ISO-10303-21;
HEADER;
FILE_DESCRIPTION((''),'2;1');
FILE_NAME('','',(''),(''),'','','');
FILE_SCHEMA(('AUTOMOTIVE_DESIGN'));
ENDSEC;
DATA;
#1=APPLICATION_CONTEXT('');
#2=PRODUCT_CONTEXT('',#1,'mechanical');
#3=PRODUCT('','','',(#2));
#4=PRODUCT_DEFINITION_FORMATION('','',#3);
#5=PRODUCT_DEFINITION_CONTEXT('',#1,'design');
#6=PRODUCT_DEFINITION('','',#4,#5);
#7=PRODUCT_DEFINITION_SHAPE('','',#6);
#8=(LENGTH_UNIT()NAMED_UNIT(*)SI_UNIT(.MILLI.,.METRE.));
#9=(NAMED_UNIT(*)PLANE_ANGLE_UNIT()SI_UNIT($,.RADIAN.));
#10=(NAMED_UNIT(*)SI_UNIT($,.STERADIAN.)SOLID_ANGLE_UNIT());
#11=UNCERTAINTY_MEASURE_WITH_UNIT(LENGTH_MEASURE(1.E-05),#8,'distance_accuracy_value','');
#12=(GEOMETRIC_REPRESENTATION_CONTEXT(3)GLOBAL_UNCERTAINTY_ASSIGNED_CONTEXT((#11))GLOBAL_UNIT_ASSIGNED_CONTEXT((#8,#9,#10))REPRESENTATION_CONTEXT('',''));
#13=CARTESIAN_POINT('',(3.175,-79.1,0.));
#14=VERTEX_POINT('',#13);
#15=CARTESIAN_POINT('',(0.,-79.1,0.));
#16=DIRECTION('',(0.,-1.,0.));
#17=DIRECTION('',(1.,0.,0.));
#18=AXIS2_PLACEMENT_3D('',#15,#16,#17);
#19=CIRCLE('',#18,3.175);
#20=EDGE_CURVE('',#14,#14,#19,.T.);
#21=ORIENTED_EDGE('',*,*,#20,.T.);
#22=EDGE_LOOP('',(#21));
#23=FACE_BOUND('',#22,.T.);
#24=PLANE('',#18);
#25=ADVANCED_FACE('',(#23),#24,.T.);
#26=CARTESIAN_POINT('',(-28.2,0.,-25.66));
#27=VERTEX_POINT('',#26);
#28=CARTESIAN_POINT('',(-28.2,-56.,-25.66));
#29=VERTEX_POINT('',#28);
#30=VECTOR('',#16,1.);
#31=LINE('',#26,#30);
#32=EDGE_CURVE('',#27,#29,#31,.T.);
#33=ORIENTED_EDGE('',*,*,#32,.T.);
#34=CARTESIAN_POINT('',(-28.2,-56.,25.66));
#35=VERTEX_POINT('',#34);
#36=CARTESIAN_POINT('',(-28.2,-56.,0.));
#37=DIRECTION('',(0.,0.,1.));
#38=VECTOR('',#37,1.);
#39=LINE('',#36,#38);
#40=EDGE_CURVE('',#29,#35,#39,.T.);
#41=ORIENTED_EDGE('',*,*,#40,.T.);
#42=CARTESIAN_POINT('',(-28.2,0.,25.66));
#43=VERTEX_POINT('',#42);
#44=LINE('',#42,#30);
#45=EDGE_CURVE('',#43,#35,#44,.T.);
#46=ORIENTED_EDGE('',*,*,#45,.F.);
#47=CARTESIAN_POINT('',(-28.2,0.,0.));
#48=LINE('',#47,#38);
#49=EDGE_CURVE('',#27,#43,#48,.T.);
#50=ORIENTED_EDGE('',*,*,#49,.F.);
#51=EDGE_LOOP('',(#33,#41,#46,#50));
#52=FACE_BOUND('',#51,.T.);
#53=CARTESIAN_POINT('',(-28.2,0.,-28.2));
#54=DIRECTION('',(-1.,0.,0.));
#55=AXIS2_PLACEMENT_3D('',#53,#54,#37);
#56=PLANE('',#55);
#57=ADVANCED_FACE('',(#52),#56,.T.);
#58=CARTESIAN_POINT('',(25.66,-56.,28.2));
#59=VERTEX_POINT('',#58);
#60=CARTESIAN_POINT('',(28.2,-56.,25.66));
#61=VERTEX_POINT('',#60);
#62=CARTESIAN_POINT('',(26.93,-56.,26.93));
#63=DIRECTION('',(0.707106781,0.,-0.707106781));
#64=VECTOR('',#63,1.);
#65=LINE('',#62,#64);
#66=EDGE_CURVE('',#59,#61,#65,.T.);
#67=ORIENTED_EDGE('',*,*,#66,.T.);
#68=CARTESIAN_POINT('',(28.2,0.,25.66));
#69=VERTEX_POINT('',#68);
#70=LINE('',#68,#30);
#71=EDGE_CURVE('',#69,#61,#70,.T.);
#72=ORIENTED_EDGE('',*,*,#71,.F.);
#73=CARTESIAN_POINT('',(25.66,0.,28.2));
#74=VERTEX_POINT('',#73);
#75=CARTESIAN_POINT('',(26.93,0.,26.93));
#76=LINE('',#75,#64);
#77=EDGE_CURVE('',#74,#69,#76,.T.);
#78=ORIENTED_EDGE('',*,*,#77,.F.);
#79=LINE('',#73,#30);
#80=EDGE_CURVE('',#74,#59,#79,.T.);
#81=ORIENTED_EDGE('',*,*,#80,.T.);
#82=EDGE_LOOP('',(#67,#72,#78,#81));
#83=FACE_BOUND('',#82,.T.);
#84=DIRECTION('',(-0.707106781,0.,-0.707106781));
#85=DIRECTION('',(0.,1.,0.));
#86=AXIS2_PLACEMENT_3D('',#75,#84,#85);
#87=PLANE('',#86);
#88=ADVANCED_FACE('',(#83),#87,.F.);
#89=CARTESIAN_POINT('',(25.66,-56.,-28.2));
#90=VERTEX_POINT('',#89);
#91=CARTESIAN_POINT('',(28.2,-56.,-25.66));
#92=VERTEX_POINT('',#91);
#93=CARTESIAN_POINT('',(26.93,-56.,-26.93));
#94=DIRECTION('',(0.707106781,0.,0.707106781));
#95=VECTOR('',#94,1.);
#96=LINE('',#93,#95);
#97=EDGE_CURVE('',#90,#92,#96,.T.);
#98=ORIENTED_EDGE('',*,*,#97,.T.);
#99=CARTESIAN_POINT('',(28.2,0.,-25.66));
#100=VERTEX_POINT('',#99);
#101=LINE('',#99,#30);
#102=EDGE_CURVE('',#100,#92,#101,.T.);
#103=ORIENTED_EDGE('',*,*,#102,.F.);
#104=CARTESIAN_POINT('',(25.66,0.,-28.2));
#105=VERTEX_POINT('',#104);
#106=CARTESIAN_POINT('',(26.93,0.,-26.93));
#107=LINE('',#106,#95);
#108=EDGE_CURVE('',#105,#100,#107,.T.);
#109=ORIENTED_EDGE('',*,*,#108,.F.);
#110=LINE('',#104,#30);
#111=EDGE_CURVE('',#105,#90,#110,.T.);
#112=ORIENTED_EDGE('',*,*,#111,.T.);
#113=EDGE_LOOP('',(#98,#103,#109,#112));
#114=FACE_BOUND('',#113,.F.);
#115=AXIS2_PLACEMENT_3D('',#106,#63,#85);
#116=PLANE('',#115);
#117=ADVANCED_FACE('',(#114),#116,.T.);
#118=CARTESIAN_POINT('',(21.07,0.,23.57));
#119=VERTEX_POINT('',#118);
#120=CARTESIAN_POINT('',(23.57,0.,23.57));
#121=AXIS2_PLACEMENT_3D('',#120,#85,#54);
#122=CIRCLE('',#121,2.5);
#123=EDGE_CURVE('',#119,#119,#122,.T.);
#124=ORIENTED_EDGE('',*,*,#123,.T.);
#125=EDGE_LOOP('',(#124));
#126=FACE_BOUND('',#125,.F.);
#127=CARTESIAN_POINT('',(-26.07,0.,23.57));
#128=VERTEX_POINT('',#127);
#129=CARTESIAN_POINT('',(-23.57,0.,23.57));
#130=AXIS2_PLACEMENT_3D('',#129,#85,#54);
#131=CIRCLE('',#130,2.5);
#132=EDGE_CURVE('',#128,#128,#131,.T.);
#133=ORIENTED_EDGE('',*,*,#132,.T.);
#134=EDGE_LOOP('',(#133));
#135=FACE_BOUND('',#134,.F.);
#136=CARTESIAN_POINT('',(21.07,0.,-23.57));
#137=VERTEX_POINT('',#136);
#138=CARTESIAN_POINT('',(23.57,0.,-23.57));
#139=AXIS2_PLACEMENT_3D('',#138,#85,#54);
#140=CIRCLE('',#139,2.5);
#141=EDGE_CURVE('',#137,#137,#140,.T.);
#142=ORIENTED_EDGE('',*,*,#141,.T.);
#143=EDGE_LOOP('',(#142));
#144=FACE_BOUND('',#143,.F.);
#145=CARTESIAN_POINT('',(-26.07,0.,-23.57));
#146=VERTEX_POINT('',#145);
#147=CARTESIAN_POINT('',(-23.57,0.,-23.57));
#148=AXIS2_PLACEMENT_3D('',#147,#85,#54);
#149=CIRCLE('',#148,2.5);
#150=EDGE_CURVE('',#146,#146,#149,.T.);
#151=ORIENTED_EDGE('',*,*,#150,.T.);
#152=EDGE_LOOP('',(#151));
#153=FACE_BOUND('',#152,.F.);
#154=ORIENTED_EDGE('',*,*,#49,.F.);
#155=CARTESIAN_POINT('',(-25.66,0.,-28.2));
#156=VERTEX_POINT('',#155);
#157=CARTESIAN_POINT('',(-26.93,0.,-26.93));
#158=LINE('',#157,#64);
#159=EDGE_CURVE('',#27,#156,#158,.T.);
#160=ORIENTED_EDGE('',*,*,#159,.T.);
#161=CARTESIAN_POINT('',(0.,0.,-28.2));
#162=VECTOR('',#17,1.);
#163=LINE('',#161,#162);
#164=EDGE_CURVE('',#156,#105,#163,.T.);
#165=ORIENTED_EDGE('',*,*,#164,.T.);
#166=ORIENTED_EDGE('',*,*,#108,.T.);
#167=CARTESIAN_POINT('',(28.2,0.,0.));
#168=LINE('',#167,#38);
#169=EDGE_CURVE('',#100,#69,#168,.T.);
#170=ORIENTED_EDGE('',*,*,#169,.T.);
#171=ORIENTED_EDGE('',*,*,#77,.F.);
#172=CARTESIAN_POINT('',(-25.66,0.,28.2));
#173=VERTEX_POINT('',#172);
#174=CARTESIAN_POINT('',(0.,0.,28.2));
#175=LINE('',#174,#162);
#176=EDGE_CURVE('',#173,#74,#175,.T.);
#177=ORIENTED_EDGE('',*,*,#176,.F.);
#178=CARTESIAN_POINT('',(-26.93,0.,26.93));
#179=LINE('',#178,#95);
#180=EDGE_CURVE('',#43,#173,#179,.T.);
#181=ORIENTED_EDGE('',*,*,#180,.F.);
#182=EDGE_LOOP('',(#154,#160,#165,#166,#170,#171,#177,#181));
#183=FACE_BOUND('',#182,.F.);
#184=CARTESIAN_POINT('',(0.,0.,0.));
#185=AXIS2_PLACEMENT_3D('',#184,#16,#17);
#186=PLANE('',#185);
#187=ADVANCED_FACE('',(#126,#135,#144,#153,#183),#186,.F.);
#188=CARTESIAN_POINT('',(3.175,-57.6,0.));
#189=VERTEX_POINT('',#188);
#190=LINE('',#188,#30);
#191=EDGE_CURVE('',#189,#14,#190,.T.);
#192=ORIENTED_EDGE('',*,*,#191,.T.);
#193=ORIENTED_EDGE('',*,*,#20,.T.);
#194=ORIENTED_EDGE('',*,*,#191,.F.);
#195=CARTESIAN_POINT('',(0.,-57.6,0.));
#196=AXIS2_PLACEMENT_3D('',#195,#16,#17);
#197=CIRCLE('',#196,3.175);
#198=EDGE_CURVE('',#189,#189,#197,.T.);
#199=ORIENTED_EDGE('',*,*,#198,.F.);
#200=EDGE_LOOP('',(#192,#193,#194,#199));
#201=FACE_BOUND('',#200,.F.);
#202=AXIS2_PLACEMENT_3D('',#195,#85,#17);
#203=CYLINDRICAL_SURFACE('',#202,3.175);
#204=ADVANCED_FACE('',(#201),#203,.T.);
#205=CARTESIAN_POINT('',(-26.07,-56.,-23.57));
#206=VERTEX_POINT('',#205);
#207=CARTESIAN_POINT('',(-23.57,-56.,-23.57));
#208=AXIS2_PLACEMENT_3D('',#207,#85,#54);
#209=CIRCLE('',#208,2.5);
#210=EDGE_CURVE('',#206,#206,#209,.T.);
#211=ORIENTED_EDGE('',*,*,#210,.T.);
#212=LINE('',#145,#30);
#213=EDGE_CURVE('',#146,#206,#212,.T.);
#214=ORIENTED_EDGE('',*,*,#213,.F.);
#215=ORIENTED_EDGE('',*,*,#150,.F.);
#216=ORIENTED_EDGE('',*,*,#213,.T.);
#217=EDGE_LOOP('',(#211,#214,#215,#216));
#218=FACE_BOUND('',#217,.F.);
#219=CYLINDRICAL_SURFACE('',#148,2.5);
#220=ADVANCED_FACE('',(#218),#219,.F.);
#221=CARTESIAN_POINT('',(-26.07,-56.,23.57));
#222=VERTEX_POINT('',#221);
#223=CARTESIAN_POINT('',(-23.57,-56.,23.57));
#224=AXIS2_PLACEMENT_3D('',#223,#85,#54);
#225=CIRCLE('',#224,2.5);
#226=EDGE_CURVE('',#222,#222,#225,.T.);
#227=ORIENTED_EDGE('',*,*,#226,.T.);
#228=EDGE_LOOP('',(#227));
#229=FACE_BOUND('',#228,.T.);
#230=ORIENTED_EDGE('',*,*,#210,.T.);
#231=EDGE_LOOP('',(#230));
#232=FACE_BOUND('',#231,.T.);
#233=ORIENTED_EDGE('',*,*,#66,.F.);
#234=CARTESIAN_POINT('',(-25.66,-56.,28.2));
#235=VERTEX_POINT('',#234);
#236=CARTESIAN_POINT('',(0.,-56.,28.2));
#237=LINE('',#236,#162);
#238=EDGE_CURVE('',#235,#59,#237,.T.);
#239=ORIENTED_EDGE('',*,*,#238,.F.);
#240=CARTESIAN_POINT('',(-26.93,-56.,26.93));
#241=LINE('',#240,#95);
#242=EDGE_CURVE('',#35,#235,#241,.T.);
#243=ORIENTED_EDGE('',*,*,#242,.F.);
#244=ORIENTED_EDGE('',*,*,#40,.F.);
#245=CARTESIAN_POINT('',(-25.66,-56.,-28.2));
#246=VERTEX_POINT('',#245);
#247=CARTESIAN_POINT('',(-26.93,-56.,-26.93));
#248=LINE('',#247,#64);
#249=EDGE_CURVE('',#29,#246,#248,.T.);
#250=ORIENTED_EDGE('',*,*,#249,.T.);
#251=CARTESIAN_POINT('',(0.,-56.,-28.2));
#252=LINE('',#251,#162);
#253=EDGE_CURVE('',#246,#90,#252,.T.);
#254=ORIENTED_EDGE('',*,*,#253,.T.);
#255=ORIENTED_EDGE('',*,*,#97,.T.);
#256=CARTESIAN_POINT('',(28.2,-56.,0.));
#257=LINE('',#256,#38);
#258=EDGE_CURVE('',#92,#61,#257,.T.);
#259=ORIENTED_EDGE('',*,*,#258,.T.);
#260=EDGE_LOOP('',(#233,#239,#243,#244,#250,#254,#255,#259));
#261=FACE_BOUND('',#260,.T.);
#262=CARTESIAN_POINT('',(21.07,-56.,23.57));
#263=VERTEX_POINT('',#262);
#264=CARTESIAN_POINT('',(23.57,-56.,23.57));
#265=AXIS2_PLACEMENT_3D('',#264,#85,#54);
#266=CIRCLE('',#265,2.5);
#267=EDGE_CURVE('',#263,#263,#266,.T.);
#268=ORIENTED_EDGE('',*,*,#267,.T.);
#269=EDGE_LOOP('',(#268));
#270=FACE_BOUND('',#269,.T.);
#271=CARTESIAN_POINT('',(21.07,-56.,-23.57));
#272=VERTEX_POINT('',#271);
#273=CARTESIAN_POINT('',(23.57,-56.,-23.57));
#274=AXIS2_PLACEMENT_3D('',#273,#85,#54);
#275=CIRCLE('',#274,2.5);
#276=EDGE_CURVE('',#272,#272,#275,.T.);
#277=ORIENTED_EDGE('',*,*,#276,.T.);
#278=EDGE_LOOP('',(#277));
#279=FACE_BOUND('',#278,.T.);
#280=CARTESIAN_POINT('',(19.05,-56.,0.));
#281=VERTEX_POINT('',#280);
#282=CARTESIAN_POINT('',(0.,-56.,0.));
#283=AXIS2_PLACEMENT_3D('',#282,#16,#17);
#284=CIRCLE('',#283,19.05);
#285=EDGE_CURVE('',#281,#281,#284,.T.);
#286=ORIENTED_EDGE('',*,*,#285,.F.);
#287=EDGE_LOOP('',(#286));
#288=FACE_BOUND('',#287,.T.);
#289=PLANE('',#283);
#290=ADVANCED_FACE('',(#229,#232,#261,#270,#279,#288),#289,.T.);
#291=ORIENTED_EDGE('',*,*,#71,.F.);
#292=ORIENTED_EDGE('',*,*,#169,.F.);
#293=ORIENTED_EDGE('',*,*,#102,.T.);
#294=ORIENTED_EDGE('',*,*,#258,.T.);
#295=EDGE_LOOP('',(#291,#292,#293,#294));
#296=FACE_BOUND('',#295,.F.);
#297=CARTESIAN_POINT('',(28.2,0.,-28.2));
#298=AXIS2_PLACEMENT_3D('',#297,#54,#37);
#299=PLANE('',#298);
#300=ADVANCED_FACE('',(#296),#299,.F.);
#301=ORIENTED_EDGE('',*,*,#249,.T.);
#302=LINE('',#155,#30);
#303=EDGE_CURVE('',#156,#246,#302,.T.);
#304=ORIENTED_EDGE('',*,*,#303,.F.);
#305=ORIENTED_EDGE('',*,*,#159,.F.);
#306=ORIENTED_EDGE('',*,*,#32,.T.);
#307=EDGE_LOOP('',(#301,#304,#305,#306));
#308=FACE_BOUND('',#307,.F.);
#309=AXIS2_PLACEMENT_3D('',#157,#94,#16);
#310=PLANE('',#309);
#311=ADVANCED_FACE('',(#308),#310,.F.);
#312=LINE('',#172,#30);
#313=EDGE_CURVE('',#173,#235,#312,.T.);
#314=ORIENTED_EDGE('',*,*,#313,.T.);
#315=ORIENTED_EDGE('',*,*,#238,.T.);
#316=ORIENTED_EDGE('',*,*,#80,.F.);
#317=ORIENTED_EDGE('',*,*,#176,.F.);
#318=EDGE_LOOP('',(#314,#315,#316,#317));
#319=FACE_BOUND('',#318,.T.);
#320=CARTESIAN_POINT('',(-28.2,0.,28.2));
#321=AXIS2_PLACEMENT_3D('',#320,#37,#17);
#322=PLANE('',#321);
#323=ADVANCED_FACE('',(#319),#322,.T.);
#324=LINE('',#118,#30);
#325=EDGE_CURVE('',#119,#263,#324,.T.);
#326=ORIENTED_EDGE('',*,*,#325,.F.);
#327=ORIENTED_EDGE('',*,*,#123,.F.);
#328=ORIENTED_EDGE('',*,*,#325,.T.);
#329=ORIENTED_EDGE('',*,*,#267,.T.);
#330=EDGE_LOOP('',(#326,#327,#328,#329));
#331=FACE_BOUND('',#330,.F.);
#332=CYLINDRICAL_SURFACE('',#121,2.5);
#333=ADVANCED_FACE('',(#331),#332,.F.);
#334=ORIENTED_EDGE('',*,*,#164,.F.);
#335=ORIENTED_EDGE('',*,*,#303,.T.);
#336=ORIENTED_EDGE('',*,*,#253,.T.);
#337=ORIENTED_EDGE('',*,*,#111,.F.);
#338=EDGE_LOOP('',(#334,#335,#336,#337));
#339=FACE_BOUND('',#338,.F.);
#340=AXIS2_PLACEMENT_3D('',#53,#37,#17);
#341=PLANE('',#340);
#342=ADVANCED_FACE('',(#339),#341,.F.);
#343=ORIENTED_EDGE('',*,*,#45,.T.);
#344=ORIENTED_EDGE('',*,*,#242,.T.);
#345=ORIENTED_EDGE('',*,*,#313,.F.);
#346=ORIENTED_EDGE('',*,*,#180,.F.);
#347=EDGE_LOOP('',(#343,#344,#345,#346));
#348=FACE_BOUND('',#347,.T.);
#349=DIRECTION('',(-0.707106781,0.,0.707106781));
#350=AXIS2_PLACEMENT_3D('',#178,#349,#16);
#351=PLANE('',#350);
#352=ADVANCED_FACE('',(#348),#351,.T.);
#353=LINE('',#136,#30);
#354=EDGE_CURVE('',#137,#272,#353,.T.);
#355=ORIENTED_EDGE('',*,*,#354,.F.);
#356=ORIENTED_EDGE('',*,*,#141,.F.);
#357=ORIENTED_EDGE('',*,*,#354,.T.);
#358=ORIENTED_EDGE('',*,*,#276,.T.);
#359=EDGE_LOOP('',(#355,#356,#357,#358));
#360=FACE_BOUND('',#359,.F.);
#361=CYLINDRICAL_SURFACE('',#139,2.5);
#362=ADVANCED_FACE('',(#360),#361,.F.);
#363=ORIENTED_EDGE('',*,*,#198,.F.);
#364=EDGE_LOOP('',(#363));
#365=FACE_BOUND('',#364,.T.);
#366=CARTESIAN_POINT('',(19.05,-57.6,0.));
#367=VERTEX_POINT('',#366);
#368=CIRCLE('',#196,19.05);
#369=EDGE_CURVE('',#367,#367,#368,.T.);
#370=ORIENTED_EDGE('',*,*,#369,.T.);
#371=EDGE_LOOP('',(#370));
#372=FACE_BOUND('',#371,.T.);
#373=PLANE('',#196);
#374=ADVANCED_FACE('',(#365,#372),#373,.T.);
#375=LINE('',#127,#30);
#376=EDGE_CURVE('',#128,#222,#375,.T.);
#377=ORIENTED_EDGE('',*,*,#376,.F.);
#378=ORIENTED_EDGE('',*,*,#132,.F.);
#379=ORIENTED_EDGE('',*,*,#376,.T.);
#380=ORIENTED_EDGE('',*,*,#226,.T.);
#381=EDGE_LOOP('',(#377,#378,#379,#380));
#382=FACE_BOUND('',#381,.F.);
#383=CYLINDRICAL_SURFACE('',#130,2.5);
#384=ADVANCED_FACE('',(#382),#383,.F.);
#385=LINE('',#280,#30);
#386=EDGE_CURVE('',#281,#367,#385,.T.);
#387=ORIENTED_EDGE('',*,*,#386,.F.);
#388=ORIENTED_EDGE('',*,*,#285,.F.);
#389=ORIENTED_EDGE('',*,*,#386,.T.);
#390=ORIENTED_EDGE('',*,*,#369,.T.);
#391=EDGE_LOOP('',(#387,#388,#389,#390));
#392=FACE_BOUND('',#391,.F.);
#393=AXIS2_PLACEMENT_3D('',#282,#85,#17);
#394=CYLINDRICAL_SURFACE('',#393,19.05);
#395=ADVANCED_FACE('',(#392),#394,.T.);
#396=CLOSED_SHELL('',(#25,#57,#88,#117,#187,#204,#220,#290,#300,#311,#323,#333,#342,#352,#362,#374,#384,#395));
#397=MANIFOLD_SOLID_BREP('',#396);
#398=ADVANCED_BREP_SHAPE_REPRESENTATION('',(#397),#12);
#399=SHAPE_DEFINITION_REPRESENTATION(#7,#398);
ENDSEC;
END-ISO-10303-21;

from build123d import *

# Parameters (mm, degrees)
F0_W     = 56.4
F0_H     = 56.4
F1_DEPTH = 56
F2_R     = 19.05
F3_DEPTH = 1.6
F4_R     = 3.175
F5_DEPTH = 21.5
F6_R     = 2.5
F7_DEPTH = 79.101
F8_SIZE  = 2.54


with BuildPart() as f1:
    # F0 (on Front) → F1 (new body)
    with BuildSketch(Plane.XZ):
        Rectangle(F0_W, F0_H)
    extrude(amount=F1_DEPTH)

    # F2 (on face) → F3 (join)
    with BuildSketch(Plane.XZ.offset(56)):
        Circle(F2_R)
    extrude(amount=F3_DEPTH)

    # F4 (on face) → F5 (join)
    with BuildSketch(Plane.XZ.offset(57.6)):
        Circle(F4_R)
    extrude(amount=F5_DEPTH)

    # F6 (on face) → F7 (cut, through all)
    with BuildSketch(Plane(origin=(0, 0, 0), x_dir=(-1, 0, 0), z_dir=(0, 1, 0))):
        with Locations((23.57, 23.57)):
            Circle(F6_R)
        with Locations((23.57, -23.57)):
            Circle(F6_R)
        with Locations((-23.57, -23.57)):
            Circle(F6_R)
        with Locations((-23.57, 23.57)):
            Circle(F6_R)
    extrude(amount=-F7_DEPTH, mode=Mode.SUBTRACT)

    # F8
    f8_edges = [f1.edges().sort_by_distance(p)[0] for p in [
        (28.2, -28, 28.2),
        (-28.2, -28, 28.2),
        (-28.2, -28, -28.2),
        (28.2, -28, -28.2),
    ]]
    chamfer(f8_edges, length=F8_SIZE)


solid = f1.part
